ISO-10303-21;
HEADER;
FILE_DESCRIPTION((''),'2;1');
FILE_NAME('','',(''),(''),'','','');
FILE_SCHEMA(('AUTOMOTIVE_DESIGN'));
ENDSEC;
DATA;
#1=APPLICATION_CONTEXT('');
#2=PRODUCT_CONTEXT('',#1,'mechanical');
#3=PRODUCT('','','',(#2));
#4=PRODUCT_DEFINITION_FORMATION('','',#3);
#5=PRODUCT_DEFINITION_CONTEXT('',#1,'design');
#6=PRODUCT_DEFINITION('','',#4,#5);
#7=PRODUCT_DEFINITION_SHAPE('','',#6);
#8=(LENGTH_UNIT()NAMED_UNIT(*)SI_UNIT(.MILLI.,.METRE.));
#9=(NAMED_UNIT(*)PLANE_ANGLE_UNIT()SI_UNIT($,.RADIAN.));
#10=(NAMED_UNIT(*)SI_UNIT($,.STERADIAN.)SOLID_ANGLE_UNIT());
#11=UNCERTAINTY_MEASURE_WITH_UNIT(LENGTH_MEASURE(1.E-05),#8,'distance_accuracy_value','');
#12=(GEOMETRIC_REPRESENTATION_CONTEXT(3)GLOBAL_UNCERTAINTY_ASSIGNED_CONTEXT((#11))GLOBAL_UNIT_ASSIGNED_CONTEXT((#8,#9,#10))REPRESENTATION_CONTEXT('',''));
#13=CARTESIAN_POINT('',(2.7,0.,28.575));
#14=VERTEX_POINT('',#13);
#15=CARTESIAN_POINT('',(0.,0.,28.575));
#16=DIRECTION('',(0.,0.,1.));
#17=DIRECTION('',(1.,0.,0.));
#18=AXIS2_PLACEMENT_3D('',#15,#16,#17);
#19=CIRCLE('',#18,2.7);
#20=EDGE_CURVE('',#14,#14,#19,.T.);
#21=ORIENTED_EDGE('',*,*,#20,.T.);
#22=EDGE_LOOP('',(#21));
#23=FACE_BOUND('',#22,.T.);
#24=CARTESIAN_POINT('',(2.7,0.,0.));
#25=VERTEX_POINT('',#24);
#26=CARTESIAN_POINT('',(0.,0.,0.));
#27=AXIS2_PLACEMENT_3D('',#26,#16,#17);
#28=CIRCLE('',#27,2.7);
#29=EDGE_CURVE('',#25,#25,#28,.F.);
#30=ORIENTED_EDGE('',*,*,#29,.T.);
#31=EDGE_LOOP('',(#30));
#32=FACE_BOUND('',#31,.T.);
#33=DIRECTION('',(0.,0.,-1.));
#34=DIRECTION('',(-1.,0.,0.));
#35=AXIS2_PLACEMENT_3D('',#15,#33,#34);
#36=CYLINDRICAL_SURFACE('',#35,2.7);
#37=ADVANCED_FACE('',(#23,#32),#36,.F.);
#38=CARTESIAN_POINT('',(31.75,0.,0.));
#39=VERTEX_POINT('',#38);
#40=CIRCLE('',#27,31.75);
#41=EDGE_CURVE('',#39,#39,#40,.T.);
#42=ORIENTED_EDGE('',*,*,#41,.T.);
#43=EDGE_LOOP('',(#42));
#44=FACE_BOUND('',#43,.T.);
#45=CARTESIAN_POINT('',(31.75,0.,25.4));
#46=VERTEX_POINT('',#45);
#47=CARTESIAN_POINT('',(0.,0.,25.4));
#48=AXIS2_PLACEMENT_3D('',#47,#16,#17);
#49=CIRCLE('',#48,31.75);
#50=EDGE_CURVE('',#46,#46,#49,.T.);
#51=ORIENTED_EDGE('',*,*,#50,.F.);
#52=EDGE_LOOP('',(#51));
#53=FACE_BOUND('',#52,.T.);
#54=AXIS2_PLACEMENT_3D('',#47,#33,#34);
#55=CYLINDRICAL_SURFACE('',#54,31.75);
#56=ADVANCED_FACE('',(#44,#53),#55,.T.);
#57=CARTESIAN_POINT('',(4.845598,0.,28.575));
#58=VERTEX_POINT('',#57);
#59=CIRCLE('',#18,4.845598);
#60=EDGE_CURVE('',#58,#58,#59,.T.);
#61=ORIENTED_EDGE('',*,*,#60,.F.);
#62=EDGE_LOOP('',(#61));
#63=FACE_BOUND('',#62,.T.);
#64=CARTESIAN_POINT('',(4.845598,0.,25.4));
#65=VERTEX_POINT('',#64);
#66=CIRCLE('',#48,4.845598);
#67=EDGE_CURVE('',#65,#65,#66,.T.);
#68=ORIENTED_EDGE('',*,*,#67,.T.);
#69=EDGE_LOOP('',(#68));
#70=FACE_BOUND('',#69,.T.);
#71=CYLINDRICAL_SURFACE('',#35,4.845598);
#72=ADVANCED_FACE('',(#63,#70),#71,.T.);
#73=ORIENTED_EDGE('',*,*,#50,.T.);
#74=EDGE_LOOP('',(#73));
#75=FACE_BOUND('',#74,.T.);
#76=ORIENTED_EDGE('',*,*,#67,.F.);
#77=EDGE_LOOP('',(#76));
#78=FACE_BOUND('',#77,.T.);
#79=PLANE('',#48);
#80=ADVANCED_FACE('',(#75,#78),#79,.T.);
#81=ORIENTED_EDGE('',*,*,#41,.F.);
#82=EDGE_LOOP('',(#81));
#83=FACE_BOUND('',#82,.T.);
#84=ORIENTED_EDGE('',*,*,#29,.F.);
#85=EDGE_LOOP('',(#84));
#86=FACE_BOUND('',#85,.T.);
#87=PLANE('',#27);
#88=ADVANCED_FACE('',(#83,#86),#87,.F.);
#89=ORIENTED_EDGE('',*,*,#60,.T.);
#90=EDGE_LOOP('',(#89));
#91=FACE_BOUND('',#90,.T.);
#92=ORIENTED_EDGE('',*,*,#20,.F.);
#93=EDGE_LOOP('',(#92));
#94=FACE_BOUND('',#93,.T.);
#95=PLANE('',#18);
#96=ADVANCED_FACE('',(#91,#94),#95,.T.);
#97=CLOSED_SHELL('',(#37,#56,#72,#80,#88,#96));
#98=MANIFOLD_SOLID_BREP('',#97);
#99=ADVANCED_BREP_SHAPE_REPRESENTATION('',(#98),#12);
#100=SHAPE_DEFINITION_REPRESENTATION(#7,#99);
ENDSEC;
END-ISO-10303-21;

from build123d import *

# Parameters (mm, degrees)
SKETCH1_R           = 31.75
BOSS_EXTRUDE1_DEPTH = 25.4
SKETCH2_R           = 4.845598066
SKETCH2_R_2         = 2.7
BOSS_EXTRUDE2_DEPTH = 3.175
CUT_EXTRUDE1_REACH  = 53.588
SKETCH3_R           = 2.7


with BuildPart() as part:
    # Sketch1 → Boss-Extrude1 (new body)
    with BuildSketch(Plane.XY):
        Circle(SKETCH1_R)
    extrude(amount=BOSS_EXTRUDE1_DEPTH)

    # Sketch2 → Boss-Extrude2 (add)
    with BuildSketch(Plane.XY.offset(25.4)):
        Circle(SKETCH2_R)
        Circle(SKETCH2_R_2, mode=Mode.SUBTRACT)
    extrude(amount=BOSS_EXTRUDE2_DEPTH)

    # Sketch3 → Cut-Extrude1 (cut, up to next)
    with BuildSketch(Plane.XY.offset(25.4), mode=Mode.PRIVATE) as cut_extrude1_sk1:
        Circle(SKETCH3_R)
    cut_extrude1_tool1 = extrude(cut_extrude1_sk1.sketch, amount=-CUT_EXTRUDE1_REACH, mode=Mode.PRIVATE) & part.part
    add(cut_extrude1_tool1.solids().sort_by_distance((0, 0, 25.4))[0], mode=Mode.SUBTRACT)


solid = part.part
